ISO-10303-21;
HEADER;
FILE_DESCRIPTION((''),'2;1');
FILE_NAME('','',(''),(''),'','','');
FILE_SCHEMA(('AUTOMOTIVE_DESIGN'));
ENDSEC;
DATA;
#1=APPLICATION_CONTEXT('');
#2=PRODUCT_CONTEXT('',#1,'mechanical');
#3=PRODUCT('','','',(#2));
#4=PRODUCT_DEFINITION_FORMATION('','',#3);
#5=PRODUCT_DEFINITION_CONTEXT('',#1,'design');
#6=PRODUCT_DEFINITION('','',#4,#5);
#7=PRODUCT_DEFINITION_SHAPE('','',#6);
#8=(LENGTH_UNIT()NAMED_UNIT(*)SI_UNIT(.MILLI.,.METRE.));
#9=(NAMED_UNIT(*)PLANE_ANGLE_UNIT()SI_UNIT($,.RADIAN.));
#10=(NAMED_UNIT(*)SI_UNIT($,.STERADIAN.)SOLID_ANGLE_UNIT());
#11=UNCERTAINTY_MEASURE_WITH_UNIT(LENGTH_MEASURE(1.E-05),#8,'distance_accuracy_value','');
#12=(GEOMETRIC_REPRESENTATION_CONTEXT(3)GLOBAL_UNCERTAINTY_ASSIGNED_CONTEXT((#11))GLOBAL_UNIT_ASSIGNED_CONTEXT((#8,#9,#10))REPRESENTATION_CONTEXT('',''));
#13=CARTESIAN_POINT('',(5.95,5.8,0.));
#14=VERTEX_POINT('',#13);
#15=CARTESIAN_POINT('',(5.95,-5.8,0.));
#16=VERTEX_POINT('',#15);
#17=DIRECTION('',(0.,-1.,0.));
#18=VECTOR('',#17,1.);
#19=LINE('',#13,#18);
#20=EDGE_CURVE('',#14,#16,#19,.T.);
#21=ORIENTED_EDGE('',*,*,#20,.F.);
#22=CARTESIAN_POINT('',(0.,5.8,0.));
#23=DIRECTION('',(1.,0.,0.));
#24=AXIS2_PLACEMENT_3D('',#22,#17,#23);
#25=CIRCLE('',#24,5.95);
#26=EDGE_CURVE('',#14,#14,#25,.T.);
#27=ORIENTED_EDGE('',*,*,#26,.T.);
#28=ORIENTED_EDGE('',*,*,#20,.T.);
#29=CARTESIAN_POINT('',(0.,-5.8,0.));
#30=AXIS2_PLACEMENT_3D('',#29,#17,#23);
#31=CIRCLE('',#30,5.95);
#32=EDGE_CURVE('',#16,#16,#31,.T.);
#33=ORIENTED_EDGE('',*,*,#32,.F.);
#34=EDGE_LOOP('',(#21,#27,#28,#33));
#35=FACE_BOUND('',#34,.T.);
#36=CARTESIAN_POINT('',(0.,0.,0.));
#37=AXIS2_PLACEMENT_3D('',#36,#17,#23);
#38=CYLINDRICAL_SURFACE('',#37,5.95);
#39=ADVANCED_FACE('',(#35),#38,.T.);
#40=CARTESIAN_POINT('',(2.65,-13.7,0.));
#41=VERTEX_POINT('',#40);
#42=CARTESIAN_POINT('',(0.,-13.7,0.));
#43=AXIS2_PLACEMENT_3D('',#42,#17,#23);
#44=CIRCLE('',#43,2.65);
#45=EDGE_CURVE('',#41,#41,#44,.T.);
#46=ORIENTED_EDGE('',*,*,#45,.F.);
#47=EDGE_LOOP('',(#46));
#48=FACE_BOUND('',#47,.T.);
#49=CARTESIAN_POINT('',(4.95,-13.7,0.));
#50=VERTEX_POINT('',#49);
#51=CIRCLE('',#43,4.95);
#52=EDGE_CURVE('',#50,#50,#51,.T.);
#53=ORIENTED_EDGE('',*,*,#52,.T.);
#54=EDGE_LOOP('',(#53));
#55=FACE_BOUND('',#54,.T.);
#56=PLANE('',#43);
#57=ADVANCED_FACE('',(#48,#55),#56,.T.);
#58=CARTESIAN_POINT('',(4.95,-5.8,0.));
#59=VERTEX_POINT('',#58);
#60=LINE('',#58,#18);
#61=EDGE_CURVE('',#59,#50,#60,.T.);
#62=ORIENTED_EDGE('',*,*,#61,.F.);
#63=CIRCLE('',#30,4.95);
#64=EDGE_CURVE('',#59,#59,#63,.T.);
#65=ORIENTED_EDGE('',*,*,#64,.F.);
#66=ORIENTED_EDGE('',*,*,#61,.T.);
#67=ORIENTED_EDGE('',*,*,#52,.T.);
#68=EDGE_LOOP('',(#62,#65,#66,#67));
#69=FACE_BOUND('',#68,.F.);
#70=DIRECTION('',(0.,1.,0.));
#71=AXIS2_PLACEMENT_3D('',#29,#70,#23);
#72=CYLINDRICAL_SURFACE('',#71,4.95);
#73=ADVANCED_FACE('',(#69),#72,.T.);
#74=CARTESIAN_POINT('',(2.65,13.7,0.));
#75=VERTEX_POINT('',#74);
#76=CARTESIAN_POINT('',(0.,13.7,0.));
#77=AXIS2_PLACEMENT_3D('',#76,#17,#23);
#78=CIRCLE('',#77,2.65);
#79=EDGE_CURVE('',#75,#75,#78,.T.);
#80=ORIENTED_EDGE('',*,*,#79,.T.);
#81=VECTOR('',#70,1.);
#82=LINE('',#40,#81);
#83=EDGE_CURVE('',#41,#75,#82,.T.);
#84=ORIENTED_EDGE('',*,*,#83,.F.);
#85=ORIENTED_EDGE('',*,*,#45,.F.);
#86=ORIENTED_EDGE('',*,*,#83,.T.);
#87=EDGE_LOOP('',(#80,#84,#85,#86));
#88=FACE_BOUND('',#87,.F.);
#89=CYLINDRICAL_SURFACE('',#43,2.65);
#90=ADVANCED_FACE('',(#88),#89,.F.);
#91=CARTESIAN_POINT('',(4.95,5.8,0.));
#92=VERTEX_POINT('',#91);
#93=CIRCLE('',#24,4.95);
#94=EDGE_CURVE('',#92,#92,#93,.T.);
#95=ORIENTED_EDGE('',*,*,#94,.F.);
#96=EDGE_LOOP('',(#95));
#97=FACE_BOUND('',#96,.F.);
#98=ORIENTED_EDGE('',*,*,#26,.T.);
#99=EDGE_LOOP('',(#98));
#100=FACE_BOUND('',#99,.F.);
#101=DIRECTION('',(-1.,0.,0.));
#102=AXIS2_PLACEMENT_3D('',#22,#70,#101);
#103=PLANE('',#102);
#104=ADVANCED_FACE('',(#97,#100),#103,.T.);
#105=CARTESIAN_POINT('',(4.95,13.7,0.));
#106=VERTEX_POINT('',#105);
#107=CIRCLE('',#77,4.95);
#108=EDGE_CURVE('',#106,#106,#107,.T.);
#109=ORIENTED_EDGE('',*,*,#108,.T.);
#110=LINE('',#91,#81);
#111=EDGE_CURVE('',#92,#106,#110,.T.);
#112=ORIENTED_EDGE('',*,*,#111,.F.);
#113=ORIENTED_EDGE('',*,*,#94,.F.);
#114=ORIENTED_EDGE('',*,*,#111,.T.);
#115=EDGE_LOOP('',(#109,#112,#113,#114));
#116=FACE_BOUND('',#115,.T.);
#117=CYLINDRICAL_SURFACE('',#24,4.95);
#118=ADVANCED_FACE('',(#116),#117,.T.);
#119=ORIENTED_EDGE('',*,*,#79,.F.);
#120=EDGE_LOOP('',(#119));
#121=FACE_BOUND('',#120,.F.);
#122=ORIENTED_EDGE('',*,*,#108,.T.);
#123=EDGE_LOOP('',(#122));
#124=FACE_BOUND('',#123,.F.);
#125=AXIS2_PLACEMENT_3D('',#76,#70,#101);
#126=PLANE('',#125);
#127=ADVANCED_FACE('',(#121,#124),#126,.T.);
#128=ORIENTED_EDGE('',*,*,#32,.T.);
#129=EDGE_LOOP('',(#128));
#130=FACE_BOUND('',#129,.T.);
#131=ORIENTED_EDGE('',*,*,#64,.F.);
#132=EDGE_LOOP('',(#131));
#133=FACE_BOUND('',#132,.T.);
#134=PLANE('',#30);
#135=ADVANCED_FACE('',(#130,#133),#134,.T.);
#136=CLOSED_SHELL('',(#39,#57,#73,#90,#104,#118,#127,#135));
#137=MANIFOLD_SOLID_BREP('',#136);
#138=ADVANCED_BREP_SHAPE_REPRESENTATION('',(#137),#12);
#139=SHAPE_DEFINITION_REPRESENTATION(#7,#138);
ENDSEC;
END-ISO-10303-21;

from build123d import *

# Parameters (mm, degrees)
F0_R     = 5.95
F1_DEPTH = 5.8
F2_R     = 4.95
F3_DEPTH = 7.9
F5_R     = 2.65
F6_DEPTH = 35


with BuildPart() as f1:
    # F0 (on Front) → F1 (new body)
    with BuildSketch(Plane.XZ):
        Circle(F0_R)
    extrude(amount=F1_DEPTH)

    # F2 (on face) → F3 (join)
    with BuildSketch(Plane.XZ.offset(5.8)):
        Circle(F2_R)
    extrude(amount=F3_DEPTH)

    # F4: F1 across face


with BuildPart() as f1_1:
    add(f1.part)
    add(f1.part.mirror(Plane(origin=(0, 0, 0), x_dir=(1, 0, 0), z_dir=(0, 1, 0))))

    # F5 (on face) → F6 (cut)
    with BuildSketch(Plane.XZ.offset(13.7)):
        Circle(F5_R)
    extrude(amount=-F6_DEPTH, mode=Mode.SUBTRACT)


solid = f1_1.part
